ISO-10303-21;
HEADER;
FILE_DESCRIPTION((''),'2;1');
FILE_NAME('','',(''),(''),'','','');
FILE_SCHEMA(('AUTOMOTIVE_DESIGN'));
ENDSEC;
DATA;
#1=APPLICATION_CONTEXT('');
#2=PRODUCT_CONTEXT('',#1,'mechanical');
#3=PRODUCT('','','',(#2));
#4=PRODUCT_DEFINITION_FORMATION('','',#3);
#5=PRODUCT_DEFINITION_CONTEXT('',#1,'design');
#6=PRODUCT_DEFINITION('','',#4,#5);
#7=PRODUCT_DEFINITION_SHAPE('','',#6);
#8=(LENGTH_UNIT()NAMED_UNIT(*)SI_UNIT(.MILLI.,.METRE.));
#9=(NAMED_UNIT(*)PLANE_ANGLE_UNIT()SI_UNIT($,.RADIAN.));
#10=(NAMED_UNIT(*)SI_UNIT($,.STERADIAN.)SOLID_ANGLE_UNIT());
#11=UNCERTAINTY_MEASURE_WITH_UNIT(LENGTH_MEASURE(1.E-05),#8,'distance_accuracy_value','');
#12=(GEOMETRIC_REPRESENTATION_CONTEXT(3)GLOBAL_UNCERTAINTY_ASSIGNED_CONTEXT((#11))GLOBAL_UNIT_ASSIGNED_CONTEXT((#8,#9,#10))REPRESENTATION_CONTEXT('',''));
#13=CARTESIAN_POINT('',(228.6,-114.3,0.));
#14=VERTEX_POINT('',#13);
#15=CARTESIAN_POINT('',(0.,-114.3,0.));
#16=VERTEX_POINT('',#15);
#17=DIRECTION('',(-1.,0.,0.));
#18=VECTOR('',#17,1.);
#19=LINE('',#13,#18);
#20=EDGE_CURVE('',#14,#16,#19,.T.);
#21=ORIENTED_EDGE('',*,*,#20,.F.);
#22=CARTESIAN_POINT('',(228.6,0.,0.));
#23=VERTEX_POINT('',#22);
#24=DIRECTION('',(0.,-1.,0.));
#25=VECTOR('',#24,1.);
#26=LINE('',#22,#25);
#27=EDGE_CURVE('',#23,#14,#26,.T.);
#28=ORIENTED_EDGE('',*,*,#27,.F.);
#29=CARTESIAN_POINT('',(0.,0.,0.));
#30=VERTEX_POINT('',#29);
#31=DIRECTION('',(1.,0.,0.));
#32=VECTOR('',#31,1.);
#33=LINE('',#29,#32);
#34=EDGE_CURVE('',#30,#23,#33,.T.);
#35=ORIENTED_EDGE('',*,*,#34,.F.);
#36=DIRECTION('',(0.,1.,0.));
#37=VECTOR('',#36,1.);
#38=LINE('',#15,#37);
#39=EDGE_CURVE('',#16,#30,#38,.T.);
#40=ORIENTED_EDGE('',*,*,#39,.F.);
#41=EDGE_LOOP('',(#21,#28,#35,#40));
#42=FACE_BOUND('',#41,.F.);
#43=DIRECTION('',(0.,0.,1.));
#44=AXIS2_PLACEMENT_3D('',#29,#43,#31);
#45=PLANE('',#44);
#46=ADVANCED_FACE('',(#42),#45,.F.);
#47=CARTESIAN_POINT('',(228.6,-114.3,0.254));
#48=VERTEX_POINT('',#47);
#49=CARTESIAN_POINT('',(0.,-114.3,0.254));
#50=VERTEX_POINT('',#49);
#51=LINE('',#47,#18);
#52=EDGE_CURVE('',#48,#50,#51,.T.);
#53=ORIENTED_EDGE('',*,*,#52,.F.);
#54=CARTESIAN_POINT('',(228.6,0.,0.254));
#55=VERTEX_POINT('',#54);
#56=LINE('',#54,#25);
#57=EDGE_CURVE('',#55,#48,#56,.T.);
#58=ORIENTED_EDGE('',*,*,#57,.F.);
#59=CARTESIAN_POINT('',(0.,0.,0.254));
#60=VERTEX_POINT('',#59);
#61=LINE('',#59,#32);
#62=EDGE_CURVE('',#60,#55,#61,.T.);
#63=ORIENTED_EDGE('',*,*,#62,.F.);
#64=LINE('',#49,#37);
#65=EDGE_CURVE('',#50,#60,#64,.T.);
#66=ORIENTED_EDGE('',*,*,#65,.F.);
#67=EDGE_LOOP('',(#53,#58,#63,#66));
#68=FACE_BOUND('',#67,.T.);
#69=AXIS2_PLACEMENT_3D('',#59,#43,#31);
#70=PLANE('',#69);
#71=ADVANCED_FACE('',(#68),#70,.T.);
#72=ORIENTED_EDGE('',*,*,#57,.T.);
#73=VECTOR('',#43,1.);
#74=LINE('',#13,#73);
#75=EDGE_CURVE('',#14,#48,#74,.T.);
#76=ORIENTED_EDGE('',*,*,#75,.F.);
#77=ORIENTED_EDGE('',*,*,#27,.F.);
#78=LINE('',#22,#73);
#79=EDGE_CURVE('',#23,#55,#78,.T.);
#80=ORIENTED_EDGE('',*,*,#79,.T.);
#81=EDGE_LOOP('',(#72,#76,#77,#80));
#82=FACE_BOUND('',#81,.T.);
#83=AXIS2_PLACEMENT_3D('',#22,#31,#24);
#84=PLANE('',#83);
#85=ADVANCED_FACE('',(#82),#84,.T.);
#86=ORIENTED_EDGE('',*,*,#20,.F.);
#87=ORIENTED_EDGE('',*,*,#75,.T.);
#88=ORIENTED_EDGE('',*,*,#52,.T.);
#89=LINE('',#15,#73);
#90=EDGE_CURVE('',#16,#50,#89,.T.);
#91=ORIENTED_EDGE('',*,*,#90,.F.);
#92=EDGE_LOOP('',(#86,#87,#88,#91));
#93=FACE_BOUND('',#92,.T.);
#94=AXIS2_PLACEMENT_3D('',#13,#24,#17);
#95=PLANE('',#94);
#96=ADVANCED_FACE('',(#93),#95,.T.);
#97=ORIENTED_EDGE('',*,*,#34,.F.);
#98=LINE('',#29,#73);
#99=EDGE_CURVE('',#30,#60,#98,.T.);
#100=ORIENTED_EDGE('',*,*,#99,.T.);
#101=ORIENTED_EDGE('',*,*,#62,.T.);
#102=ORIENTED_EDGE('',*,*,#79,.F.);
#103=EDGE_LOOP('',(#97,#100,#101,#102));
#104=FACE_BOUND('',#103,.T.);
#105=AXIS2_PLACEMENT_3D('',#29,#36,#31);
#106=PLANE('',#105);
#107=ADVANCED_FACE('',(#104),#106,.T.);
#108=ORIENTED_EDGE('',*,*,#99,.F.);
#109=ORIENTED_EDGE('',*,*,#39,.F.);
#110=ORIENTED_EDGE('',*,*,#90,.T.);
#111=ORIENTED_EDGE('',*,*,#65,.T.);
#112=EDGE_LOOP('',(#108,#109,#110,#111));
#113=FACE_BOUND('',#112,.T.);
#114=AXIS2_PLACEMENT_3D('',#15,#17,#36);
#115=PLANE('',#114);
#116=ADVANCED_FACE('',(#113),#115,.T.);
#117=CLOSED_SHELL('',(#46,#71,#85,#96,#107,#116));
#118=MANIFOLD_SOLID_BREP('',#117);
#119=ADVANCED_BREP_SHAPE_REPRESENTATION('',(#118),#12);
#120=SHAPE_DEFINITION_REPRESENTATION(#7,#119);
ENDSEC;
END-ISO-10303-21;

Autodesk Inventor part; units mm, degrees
ref_plane "YZ Plane" through (0, 0, 0) normal (1, 0, 0) x (0, 1, 0)
ref_plane "XZ Plane" through (0, 0, 0) normal (0, 1, 0) x (-1, 0, 0)
ref_plane "XY Plane" through (0, 0, 0) normal (0, 0, 1) x (1, 0, 0)
sketch "Sketch1" plane through (0, 0, 0) normal (0, 0, 1) x (1, 0, 0)
  line L0 (0, 0) -> (228.6, 0)
  line L1 (228.6, 0) -> (228.6, -114.3)
  line L2 (228.6, -114.3) -> (0, -114.3)
  line L3 (0, -114.3) -> (0, 0)
  dimension "d8" = 228.6
extrude "Extrusion1" add sketch "Sketch1" along normal blind 0.254
properties part number "MAIN CNTRL_v02 Bottom"
